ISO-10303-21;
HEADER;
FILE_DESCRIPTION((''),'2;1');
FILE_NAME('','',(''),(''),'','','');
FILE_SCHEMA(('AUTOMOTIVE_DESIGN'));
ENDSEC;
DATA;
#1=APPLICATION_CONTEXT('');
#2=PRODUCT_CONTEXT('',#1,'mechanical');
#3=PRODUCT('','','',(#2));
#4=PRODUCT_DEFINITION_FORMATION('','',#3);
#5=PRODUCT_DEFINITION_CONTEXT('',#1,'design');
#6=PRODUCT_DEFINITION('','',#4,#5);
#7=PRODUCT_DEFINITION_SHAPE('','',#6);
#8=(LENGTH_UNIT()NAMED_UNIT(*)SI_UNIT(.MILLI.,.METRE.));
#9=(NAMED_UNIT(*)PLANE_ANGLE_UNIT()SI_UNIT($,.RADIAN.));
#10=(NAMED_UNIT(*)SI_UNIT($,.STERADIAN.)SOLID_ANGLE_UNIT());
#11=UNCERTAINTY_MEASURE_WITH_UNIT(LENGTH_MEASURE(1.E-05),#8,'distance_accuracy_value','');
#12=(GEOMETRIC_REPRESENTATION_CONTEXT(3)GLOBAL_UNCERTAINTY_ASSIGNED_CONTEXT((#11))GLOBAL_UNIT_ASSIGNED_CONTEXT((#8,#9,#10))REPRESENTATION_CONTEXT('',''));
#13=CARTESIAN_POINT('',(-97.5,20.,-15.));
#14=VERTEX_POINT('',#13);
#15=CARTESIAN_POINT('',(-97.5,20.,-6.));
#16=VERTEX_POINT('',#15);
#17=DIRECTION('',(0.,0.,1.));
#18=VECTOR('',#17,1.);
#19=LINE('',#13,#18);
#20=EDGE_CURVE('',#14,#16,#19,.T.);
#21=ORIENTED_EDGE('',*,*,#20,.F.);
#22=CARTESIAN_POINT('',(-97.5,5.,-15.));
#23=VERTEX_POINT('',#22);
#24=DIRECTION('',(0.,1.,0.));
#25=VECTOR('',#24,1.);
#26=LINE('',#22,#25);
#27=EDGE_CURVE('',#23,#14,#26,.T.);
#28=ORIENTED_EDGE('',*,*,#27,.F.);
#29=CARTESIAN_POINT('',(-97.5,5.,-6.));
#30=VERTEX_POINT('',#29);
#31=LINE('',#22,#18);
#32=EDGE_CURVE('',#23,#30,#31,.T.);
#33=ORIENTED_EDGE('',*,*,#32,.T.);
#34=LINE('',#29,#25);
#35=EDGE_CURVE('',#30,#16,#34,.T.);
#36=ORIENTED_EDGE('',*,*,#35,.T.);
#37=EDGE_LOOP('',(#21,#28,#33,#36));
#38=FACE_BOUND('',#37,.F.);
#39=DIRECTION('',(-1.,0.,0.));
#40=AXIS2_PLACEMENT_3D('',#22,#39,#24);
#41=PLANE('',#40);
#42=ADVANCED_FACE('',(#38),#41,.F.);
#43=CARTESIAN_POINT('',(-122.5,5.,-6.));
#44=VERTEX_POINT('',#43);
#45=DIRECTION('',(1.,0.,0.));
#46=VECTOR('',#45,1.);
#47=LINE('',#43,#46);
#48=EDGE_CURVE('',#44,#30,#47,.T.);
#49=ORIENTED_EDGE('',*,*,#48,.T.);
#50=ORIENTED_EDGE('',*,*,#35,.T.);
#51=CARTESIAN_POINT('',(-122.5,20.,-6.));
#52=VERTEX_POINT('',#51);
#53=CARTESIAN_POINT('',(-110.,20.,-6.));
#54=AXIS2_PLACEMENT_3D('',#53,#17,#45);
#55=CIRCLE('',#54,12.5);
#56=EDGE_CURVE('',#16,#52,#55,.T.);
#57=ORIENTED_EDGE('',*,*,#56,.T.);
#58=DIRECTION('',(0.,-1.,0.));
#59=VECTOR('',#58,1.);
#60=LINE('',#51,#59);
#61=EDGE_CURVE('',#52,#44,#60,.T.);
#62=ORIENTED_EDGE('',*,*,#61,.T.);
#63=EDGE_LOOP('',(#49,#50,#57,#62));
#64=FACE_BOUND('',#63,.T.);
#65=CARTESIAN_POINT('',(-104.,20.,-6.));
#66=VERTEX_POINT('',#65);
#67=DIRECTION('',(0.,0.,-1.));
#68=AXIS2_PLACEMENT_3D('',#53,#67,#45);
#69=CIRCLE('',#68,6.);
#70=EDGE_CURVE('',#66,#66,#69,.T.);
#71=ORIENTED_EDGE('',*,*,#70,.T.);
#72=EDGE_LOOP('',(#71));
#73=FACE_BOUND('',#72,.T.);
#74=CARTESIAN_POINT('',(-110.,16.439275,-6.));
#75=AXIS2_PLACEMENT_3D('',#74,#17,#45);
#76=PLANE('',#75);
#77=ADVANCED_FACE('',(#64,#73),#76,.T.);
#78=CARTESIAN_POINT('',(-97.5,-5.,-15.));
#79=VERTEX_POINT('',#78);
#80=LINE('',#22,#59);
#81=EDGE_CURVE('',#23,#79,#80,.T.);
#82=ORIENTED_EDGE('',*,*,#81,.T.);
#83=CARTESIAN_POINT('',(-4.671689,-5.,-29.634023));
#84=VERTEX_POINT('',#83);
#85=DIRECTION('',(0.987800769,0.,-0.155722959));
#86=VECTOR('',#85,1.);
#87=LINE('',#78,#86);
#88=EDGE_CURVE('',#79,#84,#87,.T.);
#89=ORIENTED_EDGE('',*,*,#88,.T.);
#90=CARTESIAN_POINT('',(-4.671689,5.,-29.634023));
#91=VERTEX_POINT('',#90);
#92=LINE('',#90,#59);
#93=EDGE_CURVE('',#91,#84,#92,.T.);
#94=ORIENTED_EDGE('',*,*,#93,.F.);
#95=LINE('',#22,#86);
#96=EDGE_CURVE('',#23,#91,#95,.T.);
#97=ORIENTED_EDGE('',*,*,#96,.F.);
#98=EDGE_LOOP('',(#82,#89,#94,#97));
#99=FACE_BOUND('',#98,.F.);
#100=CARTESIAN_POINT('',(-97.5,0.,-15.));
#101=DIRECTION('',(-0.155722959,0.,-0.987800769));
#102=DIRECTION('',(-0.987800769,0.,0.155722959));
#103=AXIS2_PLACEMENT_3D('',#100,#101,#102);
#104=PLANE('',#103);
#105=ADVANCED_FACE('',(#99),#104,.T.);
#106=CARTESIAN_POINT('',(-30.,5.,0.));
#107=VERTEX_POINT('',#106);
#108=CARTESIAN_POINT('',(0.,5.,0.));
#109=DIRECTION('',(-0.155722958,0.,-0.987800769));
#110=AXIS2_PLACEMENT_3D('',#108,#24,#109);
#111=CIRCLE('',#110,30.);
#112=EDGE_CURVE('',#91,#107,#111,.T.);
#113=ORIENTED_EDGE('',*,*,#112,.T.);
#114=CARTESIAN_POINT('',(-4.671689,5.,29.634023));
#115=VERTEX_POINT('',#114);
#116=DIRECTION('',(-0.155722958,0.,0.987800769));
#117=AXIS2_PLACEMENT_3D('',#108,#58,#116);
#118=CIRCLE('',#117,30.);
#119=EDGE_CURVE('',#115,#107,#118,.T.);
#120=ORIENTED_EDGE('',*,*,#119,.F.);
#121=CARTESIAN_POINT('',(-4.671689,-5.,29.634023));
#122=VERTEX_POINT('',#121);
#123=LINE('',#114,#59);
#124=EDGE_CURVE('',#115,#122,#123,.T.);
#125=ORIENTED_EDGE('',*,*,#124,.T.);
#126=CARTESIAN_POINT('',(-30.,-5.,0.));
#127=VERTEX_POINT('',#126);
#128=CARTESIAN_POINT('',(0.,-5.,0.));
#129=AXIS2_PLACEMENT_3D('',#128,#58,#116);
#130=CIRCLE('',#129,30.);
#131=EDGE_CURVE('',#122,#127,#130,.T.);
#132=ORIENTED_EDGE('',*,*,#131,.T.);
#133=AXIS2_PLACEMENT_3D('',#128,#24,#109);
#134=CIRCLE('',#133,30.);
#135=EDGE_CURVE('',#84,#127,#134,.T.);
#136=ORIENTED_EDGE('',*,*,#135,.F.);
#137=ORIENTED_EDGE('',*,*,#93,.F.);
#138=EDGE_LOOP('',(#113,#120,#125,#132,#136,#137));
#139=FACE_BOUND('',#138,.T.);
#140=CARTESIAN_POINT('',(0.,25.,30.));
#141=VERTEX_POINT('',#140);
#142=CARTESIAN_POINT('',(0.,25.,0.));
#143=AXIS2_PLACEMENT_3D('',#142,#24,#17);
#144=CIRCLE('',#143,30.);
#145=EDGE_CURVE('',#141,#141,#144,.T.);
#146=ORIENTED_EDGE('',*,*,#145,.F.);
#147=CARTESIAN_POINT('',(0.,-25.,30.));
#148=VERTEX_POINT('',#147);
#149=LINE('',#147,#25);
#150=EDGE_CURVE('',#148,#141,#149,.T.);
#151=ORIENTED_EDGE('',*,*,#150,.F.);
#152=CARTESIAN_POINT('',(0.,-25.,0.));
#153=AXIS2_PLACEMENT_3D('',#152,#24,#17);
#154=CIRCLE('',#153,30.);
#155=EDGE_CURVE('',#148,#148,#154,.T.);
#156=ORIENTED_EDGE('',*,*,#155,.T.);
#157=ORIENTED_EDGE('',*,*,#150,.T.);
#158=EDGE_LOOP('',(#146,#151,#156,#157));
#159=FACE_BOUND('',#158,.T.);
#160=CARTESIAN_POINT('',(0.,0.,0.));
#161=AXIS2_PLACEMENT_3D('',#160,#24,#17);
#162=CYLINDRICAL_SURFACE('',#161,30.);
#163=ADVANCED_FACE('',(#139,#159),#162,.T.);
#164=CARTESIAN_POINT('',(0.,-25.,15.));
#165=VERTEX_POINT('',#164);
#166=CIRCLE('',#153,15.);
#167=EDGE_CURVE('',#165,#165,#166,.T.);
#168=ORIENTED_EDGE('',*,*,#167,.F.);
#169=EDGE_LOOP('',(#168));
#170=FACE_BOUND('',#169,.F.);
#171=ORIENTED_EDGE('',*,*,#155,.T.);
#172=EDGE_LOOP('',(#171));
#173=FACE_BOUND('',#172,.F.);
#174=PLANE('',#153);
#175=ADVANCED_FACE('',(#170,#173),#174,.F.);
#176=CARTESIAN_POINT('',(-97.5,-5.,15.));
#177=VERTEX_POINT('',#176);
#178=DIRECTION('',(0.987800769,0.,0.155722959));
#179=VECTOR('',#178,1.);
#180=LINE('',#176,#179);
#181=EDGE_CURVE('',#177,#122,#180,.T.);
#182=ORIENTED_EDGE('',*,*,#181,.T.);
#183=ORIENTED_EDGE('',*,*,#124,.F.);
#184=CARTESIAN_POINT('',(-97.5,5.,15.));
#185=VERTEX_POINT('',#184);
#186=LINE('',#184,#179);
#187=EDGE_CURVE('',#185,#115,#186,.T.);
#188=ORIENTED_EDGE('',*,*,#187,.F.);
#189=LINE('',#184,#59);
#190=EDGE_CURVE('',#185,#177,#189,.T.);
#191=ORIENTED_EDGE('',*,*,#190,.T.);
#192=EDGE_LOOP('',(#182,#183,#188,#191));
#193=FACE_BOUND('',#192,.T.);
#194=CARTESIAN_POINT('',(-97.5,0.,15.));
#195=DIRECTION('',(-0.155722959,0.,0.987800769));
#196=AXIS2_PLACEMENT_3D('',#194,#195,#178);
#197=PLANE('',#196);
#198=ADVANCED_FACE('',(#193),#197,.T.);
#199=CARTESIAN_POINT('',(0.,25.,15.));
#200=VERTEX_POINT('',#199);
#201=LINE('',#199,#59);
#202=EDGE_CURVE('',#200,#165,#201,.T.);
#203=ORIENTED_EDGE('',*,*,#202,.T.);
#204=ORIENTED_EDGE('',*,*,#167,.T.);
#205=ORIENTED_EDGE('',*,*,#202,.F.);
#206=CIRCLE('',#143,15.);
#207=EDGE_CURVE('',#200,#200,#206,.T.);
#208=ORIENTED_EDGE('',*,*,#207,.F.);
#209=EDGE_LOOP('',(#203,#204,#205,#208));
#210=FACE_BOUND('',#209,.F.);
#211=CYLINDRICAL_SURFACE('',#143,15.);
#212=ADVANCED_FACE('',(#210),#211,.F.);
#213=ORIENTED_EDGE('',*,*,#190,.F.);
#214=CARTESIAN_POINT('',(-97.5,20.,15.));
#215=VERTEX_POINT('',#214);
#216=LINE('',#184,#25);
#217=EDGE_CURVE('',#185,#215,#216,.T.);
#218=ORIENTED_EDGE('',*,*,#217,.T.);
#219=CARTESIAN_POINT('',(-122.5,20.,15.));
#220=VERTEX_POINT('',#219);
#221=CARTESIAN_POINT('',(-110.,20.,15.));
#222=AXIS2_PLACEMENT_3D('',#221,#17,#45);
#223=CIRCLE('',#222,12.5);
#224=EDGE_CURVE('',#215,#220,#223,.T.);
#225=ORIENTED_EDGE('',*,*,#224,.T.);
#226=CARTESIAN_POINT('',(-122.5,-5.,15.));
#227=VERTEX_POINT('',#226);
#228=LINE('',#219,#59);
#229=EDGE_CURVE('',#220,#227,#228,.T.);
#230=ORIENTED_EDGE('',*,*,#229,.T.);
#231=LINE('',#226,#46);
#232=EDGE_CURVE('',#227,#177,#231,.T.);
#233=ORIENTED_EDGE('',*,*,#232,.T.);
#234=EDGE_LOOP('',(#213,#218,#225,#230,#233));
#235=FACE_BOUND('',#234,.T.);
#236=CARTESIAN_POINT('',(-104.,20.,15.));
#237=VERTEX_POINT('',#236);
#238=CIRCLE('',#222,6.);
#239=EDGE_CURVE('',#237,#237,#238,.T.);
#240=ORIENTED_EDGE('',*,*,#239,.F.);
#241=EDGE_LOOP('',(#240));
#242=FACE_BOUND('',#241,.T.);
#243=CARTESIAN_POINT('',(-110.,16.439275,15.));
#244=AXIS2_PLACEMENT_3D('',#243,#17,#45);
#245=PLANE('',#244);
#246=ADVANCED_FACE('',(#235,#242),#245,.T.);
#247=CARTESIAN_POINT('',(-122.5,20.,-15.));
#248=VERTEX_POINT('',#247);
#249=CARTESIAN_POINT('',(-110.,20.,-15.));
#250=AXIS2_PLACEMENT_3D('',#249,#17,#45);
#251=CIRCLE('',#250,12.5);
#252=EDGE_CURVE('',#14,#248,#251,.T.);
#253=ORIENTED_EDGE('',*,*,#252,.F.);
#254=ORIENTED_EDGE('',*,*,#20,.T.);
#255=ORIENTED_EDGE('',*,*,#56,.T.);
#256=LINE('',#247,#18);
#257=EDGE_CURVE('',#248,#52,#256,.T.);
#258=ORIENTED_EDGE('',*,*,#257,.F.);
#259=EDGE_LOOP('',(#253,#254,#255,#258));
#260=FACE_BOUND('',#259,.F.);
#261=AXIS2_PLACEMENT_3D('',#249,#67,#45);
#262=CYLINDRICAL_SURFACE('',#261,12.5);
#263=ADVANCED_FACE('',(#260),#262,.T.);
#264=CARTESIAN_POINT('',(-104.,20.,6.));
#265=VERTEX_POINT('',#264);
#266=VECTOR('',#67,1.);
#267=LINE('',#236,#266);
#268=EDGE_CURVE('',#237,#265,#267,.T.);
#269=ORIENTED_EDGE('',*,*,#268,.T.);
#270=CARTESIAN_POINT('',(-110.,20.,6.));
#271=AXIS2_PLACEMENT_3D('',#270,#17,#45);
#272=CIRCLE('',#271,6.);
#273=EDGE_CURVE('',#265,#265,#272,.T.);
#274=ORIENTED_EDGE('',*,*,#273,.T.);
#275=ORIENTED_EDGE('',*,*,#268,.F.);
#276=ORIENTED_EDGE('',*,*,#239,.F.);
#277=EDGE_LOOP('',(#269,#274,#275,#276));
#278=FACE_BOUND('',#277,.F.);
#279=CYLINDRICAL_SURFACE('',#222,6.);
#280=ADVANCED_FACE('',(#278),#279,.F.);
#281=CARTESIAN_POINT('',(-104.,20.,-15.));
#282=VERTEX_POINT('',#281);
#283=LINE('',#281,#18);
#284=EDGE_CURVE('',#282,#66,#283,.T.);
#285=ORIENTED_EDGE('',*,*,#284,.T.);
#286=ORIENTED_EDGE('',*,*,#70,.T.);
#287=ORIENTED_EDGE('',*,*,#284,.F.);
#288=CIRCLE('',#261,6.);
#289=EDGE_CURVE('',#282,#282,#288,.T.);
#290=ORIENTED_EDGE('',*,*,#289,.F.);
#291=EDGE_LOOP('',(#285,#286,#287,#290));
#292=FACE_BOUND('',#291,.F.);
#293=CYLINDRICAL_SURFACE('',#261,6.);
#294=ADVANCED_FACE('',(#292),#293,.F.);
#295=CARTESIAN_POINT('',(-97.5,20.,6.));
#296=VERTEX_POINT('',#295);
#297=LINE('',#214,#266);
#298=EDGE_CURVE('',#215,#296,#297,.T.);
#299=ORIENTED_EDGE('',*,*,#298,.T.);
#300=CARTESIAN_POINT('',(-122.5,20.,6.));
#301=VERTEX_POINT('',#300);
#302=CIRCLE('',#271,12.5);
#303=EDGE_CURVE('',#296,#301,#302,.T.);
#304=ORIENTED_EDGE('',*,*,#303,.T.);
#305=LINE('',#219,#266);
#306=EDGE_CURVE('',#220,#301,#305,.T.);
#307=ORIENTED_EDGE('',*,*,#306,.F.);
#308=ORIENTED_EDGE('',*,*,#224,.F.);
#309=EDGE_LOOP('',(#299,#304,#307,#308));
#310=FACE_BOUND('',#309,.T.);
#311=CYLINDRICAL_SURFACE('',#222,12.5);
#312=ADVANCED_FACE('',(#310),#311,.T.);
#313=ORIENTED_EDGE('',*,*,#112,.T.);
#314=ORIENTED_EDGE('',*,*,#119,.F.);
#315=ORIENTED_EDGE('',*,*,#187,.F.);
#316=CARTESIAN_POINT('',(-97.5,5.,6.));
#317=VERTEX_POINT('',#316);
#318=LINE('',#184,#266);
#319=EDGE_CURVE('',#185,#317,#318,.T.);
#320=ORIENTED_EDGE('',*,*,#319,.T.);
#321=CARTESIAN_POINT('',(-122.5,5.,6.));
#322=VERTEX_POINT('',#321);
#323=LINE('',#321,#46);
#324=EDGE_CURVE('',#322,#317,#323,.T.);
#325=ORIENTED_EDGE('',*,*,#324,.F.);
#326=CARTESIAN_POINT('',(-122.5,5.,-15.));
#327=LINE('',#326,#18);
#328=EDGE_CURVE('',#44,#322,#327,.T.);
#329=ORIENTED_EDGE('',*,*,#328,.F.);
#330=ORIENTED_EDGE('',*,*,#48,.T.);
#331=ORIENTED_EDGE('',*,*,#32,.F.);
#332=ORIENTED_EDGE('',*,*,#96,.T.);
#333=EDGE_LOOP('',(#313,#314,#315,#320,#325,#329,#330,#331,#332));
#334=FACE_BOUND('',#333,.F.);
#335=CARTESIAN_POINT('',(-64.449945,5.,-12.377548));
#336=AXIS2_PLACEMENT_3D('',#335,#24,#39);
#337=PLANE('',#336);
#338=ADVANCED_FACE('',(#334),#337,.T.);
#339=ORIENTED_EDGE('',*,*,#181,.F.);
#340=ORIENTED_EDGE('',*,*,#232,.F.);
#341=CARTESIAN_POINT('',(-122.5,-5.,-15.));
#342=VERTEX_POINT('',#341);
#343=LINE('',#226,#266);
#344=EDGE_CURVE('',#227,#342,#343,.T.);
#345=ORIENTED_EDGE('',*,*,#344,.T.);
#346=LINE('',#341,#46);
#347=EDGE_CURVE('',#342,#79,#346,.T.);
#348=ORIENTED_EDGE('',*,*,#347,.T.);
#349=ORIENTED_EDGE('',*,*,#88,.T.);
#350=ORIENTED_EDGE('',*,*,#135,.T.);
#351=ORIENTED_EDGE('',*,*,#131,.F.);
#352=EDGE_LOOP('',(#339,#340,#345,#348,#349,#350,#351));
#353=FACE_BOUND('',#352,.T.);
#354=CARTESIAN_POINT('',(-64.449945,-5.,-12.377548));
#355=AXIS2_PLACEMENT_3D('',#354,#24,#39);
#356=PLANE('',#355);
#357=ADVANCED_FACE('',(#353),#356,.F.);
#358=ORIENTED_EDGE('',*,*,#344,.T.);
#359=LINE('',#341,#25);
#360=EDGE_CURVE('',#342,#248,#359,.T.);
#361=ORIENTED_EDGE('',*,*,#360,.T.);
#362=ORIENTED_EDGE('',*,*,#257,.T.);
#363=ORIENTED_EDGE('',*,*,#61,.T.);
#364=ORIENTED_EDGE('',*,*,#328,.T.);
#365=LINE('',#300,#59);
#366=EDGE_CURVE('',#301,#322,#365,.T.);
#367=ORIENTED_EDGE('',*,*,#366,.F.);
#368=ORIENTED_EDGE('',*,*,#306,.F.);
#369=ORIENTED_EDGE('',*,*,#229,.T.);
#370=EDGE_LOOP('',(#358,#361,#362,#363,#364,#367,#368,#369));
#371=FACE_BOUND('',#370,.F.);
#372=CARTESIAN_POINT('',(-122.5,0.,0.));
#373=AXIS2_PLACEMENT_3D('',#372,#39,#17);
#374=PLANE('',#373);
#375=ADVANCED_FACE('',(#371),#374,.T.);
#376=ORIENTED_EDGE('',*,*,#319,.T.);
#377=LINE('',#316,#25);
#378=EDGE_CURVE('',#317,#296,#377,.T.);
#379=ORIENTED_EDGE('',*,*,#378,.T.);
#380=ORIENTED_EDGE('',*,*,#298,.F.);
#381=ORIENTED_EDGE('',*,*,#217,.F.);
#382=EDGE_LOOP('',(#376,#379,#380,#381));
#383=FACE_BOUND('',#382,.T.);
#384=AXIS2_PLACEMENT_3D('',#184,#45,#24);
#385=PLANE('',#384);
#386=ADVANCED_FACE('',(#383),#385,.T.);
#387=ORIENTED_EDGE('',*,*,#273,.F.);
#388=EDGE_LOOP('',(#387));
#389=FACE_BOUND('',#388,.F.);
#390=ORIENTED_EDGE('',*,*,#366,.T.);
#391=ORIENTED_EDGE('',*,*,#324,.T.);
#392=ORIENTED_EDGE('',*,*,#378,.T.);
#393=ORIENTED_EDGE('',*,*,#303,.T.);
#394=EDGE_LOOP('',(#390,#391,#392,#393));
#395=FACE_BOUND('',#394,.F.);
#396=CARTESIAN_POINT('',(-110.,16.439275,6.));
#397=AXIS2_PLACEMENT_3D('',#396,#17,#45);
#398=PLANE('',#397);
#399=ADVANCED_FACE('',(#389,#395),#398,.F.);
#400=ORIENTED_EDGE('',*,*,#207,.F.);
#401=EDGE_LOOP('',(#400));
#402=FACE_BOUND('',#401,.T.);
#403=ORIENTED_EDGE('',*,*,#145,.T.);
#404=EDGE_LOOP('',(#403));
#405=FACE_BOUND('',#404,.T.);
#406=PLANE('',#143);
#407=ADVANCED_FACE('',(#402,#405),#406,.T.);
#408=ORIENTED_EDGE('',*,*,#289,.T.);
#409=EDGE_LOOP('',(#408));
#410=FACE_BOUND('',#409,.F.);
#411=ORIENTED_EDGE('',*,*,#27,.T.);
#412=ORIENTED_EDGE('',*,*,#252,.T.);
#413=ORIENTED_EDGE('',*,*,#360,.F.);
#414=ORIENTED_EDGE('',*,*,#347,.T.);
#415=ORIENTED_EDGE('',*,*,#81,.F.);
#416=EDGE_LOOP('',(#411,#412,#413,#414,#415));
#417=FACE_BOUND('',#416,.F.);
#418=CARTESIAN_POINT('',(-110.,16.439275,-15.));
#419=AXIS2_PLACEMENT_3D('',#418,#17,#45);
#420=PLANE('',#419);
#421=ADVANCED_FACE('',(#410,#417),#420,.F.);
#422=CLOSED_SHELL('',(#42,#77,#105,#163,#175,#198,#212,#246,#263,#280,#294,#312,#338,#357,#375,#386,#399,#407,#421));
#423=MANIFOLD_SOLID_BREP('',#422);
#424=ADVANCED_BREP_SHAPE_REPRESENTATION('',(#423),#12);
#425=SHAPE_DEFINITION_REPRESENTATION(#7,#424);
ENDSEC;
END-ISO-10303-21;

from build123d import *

# Parameters (mm, degrees)
BOSS_EXTRUDE2_DEPTH = 5
SKETCH7_R           = 30
BOSS_EXTRUDE3_DEPTH = 25
SKETCH8_R           = 15
CUT_EXTRUDE2_DEPTH  = 50
BOSS_EXTRUDE4_DEPTH = 9
SKETCH10_R          = 6
CUT_EXTRUDE3_DEPTH  = 9
BOSS_EXTRUDE5_DEPTH = 9
SKETCH12_R          = 6
CUT_EXTRUDE4_DEPTH  = 9


with BuildPart() as part:
    # Sketch6 → Boss-Extrude2 (new body, symmetric)
    with BuildSketch(Plane(origin=(0, 0, 0), x_dir=(1, 0, 0), z_dir=(0, 1, 0))):
        with BuildLine():
            Line((-30, 0), (-122.5, 0))
            Line((-122.5, 0), (-122.5, -15))
            Line((-122.5, -15), (-97.5, -15))
            Line((-97.5, -15), (-4.671688756, -29.634023084))
            ThreePointArc((-4.671688756, -29.634023084), (-22.805160191, -19.491656386), (-30, 0))
        make_face()
    boss_extrude2 = extrude(amount=BOSS_EXTRUDE2_DEPTH, both=True)

    # Sketch7 → Boss-Extrude3 (add, symmetric)
    with BuildSketch(Plane(origin=(0, 0, 0), x_dir=(1, 0, 0), z_dir=(0, 1, 0))):
        with Locations(Location((0, 0, 0), (0, 0, 270))):  # turned: the seam where the file's is
            Circle(SKETCH7_R)
    extrude(amount=BOSS_EXTRUDE3_DEPTH, both=True)

    # Sketch8 → Cut-Extrude2 (cut)
    with BuildSketch(Plane(origin=(0, 25, 0), x_dir=(1, 0, 0), z_dir=(0, 1, 0))):
        with Locations(Location((0, 0, 0), (0, 0, 270))):  # turned: the seam where the file's is
            Circle(SKETCH8_R)
    extrude(amount=-CUT_EXTRUDE2_DEPTH, mode=Mode.SUBTRACT)

    # Mirror1: Boss-Extrude2 across plane
    add(boss_extrude2.mirror(Plane(origin=(0, 5, 0), x_dir=(1, 0, 0), z_dir=(0, 0, -1))))

    # Sketch9 → Boss-Extrude4 (add)
    with BuildSketch(Plane.XY.offset(15)):
        with BuildLine():
            Line((-122.5, 5), (-97.5, 5))
            Line((-97.5, 5), (-97.5, 20))
            ThreePointArc((-97.5, 20), (-110, 32.5), (-122.5, 20))
            Line((-122.5, 20), (-122.5, 5))
        make_face()
    extrude(amount=-BOSS_EXTRUDE4_DEPTH)

    # Sketch10 → Cut-Extrude3 (cut)
    with BuildSketch(Plane.XY.offset(15)):
        with Locations((-110, 20)):
            Circle(SKETCH10_R)
    extrude(amount=-CUT_EXTRUDE3_DEPTH, mode=Mode.SUBTRACT)

    # Sketch11 → Boss-Extrude5 (add)
    with BuildSketch(Plane(origin=(0, 0, -15), x_dir=(-1, 0, 0), z_dir=(0, 0, -1))):
        with BuildLine():
            Line((122.5, 5), (97.5, 5))
            Line((97.5, 5), (97.5, 20))
            ThreePointArc((97.5, 20), (110, 32.5), (122.5, 20))
            Line((122.5, 20), (122.5, 5))
        make_face()
    extrude(amount=-BOSS_EXTRUDE5_DEPTH)

    # Sketch12 → Cut-Extrude4 (cut)
    with BuildSketch(Plane(origin=(0, 0, -15), x_dir=(-1, 0, 0), z_dir=(0, 0, -1))):
        with Locations(Location((110, 20, 0), (0, 0, 180))):  # turned: the seam where the file's is
            Circle(SKETCH12_R)
    extrude(amount=-CUT_EXTRUDE4_DEPTH, mode=Mode.SUBTRACT)


solid = part.part
